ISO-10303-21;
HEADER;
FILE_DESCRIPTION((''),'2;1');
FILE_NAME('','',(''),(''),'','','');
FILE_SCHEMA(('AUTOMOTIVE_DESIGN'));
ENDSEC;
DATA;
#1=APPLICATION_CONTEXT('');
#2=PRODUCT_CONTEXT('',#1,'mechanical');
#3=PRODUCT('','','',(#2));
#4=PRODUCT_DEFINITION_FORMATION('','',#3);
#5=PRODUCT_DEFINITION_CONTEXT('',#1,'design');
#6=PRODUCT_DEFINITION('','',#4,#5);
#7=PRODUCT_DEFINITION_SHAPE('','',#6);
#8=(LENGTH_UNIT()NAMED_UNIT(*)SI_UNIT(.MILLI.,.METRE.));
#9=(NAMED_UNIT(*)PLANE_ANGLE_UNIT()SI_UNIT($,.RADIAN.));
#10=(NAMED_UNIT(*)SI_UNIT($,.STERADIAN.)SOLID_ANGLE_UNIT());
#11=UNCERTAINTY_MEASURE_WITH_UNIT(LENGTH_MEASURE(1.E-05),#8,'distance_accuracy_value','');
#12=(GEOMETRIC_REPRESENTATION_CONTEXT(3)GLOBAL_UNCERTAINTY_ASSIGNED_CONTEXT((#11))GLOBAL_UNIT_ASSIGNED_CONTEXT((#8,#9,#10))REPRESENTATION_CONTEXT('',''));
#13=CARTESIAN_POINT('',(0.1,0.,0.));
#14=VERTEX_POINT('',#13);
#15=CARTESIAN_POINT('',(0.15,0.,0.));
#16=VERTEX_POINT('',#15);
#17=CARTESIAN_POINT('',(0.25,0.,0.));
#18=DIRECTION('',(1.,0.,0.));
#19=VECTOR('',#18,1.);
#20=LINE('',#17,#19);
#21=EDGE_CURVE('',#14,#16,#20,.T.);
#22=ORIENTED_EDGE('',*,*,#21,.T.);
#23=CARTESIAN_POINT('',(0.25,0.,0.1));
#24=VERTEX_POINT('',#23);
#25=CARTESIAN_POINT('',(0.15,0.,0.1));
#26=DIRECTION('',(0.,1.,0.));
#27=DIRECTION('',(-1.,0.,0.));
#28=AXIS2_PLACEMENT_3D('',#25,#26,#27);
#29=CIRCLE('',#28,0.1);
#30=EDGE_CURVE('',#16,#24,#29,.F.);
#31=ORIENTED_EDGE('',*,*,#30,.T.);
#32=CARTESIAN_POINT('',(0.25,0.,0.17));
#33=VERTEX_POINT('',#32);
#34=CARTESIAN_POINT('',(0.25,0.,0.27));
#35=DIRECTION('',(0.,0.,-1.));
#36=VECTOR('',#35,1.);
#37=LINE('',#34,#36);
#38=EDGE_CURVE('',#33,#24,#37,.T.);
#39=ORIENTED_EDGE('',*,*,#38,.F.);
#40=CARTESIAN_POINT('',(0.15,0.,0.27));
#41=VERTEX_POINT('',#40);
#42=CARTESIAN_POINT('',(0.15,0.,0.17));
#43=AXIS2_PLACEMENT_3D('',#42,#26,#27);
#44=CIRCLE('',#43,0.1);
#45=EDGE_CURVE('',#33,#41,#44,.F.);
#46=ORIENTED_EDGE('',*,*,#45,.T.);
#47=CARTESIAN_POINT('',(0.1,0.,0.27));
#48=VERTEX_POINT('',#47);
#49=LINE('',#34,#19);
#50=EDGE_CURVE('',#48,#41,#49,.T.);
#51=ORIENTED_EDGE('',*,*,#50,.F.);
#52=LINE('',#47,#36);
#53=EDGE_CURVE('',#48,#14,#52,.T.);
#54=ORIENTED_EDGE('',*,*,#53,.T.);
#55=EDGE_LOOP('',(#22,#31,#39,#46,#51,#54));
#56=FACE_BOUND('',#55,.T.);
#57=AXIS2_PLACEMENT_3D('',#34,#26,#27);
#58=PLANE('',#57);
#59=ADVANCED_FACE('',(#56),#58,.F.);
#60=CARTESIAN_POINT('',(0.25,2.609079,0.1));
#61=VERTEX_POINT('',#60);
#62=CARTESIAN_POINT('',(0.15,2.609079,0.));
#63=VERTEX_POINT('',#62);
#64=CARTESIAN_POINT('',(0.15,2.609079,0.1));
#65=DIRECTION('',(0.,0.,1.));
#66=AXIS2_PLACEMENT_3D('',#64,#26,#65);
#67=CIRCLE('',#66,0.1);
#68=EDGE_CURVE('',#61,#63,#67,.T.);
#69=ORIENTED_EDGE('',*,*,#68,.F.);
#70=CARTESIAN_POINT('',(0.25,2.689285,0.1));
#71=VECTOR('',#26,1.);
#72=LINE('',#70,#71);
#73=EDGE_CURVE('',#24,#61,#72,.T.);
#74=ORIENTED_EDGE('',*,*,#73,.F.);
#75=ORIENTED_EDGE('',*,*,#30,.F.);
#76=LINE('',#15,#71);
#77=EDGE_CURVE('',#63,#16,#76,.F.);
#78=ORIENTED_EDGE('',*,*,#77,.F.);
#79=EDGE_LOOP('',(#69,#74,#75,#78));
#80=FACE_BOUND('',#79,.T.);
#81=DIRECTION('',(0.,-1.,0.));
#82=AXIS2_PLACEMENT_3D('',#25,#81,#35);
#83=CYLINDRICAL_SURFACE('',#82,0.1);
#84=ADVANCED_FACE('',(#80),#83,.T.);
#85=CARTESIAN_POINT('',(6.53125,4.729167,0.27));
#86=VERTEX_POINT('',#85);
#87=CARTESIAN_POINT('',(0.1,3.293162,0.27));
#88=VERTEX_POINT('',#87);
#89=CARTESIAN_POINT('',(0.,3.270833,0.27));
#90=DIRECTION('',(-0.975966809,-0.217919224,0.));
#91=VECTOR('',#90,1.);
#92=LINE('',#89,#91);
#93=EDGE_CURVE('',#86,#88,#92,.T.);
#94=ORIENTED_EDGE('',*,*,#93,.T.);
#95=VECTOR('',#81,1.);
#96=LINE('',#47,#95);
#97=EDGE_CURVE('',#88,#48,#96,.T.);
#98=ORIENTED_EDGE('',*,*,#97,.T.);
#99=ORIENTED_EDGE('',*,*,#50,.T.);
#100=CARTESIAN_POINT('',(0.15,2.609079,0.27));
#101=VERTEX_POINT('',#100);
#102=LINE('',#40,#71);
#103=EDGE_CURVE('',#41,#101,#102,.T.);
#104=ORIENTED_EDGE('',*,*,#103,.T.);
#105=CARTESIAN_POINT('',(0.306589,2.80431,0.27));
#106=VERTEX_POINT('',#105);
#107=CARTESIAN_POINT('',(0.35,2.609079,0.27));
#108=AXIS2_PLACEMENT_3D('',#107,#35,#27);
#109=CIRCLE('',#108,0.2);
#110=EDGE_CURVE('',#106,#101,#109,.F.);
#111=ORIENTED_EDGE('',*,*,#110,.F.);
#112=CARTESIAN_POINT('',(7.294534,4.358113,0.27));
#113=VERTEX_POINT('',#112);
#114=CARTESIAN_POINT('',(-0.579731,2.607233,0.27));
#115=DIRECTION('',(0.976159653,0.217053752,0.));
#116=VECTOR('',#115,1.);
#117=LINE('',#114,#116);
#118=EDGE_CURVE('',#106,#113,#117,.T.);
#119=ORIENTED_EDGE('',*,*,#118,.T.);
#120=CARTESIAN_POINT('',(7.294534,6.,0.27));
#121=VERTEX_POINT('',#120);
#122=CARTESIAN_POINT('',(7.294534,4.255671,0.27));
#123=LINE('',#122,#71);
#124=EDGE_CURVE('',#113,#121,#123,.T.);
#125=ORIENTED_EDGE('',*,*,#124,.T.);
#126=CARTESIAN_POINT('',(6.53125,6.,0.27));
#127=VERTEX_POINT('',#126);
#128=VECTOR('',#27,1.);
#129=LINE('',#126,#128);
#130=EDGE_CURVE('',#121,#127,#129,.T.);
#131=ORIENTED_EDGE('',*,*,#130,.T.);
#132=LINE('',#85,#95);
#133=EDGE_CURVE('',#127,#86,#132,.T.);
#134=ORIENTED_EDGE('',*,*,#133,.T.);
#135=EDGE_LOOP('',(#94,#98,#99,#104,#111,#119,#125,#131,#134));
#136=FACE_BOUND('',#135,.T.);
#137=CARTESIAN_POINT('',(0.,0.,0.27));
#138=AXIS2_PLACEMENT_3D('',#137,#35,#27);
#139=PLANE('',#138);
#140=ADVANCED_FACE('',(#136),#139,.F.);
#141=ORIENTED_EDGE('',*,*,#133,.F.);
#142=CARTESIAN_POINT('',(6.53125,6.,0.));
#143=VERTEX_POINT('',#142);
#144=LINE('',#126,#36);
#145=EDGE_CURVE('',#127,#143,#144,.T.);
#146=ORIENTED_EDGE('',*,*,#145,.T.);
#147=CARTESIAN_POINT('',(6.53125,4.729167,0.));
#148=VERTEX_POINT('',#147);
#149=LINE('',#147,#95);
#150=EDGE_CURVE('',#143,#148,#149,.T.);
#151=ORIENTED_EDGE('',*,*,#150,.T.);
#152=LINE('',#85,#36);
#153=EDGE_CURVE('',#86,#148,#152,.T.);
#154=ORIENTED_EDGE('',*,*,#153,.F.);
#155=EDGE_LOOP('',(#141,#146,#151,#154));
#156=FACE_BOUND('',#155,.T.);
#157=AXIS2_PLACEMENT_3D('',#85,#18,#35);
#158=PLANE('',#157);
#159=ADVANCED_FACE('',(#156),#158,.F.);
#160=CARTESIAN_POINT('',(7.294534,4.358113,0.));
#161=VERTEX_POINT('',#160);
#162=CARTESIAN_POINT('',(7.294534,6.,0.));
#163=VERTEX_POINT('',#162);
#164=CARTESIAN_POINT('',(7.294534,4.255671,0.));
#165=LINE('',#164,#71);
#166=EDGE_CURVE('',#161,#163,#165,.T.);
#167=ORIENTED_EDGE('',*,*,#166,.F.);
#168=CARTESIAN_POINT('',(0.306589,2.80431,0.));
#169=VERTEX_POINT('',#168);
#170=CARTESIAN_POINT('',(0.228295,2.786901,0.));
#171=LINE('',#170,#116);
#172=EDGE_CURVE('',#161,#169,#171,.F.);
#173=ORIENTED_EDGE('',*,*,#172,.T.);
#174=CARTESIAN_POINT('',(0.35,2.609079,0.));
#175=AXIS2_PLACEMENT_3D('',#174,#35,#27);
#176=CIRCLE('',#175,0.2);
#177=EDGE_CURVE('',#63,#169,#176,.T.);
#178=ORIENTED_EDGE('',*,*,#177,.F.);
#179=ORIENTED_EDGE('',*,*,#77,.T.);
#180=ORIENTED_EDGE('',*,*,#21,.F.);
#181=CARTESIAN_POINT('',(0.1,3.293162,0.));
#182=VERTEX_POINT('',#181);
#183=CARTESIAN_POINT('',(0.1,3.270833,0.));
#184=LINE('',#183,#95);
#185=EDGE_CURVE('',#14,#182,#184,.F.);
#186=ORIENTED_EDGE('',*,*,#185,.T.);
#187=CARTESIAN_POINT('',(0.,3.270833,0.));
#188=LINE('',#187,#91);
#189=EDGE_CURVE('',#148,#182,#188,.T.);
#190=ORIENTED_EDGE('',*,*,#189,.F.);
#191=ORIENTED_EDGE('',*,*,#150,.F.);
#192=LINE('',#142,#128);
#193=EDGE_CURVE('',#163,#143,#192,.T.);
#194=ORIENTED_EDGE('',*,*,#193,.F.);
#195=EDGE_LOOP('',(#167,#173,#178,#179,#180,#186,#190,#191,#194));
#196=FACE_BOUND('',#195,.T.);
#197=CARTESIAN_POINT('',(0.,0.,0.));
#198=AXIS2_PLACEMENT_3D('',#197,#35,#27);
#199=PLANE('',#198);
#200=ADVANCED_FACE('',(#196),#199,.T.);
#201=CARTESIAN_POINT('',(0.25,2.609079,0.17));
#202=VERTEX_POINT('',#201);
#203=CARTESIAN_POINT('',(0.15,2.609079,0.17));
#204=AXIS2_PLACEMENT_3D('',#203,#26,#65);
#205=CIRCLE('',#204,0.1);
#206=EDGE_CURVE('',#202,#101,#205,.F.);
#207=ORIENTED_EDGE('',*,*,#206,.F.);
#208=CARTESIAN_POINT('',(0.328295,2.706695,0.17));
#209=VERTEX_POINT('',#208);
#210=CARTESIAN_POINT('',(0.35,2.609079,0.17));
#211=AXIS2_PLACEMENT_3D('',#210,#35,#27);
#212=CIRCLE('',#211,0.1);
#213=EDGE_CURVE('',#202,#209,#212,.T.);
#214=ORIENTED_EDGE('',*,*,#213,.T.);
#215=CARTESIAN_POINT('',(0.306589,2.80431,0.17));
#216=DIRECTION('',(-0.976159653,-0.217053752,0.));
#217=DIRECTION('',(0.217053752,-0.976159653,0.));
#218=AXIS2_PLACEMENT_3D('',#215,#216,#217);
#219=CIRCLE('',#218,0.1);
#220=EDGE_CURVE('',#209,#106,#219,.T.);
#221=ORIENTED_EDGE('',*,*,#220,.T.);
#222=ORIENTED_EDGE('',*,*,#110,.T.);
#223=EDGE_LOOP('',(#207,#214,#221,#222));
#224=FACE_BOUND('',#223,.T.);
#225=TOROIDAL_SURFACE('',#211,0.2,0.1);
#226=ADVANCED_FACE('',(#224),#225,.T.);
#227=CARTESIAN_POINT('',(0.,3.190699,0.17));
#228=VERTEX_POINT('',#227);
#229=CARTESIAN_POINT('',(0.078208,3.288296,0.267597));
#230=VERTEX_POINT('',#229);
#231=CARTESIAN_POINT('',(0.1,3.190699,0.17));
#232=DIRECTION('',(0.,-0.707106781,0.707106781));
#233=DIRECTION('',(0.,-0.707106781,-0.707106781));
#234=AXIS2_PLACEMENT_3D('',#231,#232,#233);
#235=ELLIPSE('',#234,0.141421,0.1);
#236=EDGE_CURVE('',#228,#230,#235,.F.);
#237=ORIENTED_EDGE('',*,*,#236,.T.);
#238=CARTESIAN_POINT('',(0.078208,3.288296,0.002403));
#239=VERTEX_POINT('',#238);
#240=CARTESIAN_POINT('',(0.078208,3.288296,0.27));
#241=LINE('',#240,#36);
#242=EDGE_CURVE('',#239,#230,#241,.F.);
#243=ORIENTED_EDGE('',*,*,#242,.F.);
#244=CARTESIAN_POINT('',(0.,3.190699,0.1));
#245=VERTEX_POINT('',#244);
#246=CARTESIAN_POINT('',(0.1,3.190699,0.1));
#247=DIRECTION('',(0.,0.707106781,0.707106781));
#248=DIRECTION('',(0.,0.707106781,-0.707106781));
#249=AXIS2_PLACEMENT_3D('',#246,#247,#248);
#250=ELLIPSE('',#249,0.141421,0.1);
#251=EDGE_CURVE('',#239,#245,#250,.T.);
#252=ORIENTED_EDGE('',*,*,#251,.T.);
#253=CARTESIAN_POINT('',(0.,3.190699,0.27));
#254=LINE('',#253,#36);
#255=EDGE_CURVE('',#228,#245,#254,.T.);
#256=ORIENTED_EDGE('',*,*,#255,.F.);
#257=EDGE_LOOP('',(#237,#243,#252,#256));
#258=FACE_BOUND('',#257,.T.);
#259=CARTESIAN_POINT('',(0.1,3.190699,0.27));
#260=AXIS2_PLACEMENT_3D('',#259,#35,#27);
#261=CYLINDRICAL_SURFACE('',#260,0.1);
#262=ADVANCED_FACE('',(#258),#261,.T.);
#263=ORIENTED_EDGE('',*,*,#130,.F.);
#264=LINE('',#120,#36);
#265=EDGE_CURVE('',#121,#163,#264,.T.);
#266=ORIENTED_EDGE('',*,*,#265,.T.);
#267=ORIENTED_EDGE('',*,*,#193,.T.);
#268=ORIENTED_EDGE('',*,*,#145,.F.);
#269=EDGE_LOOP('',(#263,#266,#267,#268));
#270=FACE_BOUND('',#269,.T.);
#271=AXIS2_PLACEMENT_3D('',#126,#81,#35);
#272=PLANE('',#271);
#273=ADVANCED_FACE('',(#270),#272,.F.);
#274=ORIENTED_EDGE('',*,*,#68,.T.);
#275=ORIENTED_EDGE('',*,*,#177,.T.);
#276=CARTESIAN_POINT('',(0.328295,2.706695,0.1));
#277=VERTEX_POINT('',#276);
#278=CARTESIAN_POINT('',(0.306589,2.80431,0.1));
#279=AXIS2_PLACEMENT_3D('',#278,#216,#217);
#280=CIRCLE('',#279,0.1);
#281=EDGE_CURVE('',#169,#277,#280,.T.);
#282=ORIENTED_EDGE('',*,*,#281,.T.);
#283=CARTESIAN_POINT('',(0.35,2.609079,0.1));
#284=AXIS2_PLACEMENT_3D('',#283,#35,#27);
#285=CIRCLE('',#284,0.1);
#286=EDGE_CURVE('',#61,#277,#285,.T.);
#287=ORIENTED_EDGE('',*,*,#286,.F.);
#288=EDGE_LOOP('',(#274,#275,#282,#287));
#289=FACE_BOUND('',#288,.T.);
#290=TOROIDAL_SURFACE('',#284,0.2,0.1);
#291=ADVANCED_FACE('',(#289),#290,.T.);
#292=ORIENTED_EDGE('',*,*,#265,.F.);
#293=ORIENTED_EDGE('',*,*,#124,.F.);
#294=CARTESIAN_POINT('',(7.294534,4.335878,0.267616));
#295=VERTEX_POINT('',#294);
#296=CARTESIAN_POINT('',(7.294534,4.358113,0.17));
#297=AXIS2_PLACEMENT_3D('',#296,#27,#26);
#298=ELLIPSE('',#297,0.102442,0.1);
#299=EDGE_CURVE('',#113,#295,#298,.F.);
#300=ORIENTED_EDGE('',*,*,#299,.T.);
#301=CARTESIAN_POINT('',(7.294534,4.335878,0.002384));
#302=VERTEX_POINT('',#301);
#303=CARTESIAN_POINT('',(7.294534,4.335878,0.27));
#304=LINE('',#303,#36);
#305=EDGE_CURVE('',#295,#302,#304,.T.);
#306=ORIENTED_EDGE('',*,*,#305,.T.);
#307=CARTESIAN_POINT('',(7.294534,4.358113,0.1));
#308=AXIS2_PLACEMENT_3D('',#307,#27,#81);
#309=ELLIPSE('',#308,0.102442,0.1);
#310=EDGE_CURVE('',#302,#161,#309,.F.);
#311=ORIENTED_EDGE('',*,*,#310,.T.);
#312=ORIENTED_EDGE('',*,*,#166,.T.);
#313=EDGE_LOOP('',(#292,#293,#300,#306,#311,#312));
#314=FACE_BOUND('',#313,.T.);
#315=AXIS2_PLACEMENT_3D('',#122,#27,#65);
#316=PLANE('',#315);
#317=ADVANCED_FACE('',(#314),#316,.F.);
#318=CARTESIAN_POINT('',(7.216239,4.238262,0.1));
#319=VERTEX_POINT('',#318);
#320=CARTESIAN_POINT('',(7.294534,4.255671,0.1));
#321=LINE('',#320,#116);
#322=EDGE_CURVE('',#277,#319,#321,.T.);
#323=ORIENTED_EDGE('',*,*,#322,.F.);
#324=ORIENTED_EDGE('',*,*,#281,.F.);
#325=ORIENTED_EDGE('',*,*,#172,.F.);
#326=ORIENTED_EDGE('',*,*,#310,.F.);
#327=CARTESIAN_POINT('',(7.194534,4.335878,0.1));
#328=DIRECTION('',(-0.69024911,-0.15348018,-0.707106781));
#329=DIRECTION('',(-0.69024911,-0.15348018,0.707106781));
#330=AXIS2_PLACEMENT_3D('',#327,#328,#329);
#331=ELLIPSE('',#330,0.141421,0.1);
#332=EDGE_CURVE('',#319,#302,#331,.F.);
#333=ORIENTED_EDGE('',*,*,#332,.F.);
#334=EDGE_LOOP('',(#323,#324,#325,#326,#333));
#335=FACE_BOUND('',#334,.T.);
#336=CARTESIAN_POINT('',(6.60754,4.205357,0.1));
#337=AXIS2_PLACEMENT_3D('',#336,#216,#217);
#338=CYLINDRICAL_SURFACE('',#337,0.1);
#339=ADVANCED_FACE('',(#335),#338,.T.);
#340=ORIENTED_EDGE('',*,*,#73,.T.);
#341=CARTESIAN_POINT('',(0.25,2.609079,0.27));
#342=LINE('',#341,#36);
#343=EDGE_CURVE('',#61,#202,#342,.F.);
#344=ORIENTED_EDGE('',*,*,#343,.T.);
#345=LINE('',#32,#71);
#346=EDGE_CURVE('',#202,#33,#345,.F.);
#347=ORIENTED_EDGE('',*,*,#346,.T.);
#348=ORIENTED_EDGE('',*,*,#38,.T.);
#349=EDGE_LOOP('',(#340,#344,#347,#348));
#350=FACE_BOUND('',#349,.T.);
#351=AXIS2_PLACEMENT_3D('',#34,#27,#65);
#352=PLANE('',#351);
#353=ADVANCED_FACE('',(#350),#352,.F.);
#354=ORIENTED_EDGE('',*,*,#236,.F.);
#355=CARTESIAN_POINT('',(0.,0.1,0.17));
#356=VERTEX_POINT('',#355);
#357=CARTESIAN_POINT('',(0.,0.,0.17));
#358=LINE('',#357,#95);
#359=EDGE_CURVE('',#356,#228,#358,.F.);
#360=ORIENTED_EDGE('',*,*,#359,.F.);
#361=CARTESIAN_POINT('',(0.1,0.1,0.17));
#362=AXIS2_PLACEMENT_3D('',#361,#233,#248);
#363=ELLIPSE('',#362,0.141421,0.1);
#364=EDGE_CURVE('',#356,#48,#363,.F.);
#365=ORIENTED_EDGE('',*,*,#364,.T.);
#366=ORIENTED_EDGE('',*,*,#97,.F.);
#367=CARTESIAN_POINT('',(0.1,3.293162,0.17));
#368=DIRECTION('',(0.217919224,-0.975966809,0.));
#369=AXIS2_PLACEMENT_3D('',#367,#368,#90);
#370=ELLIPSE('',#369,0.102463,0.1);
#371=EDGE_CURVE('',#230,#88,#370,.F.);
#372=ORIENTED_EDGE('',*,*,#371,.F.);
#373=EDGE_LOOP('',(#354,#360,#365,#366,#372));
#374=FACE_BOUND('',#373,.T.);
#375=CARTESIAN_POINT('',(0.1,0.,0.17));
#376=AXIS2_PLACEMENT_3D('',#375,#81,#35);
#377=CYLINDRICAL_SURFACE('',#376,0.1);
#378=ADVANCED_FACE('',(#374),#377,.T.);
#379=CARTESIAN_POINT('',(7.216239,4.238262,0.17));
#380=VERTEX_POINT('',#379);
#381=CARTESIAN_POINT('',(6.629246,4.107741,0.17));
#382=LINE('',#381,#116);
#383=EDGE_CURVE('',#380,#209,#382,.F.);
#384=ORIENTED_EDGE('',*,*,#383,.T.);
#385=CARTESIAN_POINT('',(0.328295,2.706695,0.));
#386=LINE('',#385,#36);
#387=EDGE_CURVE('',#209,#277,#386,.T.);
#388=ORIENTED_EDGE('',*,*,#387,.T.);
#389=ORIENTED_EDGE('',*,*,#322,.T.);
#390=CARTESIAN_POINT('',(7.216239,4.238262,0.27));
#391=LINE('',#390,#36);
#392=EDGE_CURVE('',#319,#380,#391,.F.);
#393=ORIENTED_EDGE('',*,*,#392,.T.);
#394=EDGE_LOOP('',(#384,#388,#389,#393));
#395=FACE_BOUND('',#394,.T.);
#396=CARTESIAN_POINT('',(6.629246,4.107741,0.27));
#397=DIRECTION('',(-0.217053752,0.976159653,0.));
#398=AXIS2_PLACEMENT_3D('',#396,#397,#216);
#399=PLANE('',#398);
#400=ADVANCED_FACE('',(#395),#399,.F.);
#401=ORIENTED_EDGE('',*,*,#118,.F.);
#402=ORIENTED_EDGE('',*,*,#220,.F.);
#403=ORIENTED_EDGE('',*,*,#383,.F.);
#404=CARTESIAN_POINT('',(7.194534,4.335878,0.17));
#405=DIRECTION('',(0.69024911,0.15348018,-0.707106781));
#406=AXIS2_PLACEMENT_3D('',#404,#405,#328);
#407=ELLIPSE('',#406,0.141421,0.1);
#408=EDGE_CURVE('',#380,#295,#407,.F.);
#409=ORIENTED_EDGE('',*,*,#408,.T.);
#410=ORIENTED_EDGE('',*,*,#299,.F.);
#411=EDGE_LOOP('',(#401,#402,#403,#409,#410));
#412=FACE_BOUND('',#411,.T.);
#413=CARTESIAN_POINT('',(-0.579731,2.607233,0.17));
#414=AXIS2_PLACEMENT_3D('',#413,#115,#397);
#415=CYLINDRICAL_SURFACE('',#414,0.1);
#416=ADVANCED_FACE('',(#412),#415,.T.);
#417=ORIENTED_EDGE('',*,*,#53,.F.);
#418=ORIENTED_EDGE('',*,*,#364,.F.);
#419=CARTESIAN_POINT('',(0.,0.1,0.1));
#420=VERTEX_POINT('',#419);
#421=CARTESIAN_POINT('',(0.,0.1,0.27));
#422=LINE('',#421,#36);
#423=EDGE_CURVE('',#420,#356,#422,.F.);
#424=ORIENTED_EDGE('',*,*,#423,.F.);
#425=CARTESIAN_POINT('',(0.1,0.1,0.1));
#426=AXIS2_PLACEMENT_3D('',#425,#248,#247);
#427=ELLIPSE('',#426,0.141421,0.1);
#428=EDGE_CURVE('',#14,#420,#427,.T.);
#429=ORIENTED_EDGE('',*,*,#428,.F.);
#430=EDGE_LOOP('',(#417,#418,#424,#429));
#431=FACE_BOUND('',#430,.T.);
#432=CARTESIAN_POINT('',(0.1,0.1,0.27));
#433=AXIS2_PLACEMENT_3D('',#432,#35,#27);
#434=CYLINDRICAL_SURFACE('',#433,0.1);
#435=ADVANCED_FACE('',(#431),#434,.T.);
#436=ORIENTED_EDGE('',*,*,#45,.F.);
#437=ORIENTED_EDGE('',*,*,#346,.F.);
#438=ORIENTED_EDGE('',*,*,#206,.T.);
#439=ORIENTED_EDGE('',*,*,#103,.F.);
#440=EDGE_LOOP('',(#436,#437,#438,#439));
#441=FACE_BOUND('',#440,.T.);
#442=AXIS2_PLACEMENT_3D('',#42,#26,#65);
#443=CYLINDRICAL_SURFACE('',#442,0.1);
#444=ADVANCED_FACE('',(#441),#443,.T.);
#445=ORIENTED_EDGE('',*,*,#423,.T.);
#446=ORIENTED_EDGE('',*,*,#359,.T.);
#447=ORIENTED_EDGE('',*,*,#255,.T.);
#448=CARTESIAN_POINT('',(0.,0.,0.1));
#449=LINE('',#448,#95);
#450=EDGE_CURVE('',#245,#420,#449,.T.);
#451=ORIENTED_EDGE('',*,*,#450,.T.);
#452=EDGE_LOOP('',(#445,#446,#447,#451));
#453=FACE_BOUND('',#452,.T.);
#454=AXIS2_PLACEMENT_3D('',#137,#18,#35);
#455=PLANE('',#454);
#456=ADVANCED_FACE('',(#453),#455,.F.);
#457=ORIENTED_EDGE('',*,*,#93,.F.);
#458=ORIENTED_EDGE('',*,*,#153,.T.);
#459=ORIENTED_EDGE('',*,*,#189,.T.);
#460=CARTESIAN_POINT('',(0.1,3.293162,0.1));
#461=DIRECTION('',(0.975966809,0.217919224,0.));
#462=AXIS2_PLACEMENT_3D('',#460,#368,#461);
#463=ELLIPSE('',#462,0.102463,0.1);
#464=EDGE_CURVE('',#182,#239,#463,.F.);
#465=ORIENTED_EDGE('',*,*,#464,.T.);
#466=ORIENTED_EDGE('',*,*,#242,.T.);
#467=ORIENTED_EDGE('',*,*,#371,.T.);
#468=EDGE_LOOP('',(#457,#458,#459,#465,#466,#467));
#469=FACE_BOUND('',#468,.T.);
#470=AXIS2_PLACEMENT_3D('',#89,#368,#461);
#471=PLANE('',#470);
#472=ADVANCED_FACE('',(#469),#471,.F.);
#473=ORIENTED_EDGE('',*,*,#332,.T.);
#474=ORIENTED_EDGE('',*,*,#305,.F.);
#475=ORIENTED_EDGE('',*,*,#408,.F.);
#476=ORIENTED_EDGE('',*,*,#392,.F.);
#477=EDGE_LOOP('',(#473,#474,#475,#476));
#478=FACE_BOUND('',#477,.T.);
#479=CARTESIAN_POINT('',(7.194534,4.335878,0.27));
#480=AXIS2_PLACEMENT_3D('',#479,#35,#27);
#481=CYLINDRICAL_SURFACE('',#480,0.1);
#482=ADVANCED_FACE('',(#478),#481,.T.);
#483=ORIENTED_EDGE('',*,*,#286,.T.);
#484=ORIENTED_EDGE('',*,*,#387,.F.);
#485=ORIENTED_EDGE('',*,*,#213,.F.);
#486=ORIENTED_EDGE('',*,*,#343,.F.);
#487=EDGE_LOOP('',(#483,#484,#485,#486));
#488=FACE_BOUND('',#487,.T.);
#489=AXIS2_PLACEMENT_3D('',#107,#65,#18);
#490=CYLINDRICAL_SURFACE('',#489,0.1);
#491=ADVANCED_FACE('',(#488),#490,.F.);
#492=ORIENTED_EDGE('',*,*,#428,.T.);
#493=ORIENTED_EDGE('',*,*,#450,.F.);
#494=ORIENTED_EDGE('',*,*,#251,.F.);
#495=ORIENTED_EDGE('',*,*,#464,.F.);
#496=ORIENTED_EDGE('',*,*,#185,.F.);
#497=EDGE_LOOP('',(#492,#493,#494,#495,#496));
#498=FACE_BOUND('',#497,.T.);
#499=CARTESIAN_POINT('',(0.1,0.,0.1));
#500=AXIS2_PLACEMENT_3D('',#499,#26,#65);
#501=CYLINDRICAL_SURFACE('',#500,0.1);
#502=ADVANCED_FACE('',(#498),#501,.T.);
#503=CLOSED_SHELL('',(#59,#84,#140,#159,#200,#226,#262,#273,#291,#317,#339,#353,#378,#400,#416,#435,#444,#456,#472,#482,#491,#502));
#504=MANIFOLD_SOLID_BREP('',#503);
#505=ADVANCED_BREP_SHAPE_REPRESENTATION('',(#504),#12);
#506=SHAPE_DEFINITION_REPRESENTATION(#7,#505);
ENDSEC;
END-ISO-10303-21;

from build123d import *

# Parameters (mm, degrees)
RESSALTO_EXTRUS_O1_DEPTH = 0.27
FILETE5_R                = 0.1


with BuildPart() as part:
    # Esboço1 → Ressalto-extrusão1 (new body)
    with BuildSketch(Plane.XY):
        Polygon((0, 0), (0, 3.270833333), (6.53125, 4.729166667), (6.53125, 6), (7.294533781, 6), (7.294533781, 4.255670993), (6.629245544, 4.107740982), (0.25, 2.689285325), (0.25, 0), align=None)
    extrude(amount=RESSALTO_EXTRUS_O1_DEPTH)

    # Filete5
    filete5_edges = [part.edges().sort_by_distance(p)[0] for p in [
        (3.772266891, 3.472478159, 0.27),
        (3.772266891, 3.472478159, 0),
        (0.25, 1.344642663, 0),
        (0, 0, 0.135),
        (0, 3.270833333, 0.135),
        (7.294533781, 4.255670993, 0.135),
        (0.25, 2.689285325, 0.135),
        (0, 1.635416667, 0.27),
        (0.25, 1.344642663, 0.27),
        (0, 1.635416667, 0),
    ]]
    fillet(filete5_edges, radius=FILETE5_R)


solid = part.part
